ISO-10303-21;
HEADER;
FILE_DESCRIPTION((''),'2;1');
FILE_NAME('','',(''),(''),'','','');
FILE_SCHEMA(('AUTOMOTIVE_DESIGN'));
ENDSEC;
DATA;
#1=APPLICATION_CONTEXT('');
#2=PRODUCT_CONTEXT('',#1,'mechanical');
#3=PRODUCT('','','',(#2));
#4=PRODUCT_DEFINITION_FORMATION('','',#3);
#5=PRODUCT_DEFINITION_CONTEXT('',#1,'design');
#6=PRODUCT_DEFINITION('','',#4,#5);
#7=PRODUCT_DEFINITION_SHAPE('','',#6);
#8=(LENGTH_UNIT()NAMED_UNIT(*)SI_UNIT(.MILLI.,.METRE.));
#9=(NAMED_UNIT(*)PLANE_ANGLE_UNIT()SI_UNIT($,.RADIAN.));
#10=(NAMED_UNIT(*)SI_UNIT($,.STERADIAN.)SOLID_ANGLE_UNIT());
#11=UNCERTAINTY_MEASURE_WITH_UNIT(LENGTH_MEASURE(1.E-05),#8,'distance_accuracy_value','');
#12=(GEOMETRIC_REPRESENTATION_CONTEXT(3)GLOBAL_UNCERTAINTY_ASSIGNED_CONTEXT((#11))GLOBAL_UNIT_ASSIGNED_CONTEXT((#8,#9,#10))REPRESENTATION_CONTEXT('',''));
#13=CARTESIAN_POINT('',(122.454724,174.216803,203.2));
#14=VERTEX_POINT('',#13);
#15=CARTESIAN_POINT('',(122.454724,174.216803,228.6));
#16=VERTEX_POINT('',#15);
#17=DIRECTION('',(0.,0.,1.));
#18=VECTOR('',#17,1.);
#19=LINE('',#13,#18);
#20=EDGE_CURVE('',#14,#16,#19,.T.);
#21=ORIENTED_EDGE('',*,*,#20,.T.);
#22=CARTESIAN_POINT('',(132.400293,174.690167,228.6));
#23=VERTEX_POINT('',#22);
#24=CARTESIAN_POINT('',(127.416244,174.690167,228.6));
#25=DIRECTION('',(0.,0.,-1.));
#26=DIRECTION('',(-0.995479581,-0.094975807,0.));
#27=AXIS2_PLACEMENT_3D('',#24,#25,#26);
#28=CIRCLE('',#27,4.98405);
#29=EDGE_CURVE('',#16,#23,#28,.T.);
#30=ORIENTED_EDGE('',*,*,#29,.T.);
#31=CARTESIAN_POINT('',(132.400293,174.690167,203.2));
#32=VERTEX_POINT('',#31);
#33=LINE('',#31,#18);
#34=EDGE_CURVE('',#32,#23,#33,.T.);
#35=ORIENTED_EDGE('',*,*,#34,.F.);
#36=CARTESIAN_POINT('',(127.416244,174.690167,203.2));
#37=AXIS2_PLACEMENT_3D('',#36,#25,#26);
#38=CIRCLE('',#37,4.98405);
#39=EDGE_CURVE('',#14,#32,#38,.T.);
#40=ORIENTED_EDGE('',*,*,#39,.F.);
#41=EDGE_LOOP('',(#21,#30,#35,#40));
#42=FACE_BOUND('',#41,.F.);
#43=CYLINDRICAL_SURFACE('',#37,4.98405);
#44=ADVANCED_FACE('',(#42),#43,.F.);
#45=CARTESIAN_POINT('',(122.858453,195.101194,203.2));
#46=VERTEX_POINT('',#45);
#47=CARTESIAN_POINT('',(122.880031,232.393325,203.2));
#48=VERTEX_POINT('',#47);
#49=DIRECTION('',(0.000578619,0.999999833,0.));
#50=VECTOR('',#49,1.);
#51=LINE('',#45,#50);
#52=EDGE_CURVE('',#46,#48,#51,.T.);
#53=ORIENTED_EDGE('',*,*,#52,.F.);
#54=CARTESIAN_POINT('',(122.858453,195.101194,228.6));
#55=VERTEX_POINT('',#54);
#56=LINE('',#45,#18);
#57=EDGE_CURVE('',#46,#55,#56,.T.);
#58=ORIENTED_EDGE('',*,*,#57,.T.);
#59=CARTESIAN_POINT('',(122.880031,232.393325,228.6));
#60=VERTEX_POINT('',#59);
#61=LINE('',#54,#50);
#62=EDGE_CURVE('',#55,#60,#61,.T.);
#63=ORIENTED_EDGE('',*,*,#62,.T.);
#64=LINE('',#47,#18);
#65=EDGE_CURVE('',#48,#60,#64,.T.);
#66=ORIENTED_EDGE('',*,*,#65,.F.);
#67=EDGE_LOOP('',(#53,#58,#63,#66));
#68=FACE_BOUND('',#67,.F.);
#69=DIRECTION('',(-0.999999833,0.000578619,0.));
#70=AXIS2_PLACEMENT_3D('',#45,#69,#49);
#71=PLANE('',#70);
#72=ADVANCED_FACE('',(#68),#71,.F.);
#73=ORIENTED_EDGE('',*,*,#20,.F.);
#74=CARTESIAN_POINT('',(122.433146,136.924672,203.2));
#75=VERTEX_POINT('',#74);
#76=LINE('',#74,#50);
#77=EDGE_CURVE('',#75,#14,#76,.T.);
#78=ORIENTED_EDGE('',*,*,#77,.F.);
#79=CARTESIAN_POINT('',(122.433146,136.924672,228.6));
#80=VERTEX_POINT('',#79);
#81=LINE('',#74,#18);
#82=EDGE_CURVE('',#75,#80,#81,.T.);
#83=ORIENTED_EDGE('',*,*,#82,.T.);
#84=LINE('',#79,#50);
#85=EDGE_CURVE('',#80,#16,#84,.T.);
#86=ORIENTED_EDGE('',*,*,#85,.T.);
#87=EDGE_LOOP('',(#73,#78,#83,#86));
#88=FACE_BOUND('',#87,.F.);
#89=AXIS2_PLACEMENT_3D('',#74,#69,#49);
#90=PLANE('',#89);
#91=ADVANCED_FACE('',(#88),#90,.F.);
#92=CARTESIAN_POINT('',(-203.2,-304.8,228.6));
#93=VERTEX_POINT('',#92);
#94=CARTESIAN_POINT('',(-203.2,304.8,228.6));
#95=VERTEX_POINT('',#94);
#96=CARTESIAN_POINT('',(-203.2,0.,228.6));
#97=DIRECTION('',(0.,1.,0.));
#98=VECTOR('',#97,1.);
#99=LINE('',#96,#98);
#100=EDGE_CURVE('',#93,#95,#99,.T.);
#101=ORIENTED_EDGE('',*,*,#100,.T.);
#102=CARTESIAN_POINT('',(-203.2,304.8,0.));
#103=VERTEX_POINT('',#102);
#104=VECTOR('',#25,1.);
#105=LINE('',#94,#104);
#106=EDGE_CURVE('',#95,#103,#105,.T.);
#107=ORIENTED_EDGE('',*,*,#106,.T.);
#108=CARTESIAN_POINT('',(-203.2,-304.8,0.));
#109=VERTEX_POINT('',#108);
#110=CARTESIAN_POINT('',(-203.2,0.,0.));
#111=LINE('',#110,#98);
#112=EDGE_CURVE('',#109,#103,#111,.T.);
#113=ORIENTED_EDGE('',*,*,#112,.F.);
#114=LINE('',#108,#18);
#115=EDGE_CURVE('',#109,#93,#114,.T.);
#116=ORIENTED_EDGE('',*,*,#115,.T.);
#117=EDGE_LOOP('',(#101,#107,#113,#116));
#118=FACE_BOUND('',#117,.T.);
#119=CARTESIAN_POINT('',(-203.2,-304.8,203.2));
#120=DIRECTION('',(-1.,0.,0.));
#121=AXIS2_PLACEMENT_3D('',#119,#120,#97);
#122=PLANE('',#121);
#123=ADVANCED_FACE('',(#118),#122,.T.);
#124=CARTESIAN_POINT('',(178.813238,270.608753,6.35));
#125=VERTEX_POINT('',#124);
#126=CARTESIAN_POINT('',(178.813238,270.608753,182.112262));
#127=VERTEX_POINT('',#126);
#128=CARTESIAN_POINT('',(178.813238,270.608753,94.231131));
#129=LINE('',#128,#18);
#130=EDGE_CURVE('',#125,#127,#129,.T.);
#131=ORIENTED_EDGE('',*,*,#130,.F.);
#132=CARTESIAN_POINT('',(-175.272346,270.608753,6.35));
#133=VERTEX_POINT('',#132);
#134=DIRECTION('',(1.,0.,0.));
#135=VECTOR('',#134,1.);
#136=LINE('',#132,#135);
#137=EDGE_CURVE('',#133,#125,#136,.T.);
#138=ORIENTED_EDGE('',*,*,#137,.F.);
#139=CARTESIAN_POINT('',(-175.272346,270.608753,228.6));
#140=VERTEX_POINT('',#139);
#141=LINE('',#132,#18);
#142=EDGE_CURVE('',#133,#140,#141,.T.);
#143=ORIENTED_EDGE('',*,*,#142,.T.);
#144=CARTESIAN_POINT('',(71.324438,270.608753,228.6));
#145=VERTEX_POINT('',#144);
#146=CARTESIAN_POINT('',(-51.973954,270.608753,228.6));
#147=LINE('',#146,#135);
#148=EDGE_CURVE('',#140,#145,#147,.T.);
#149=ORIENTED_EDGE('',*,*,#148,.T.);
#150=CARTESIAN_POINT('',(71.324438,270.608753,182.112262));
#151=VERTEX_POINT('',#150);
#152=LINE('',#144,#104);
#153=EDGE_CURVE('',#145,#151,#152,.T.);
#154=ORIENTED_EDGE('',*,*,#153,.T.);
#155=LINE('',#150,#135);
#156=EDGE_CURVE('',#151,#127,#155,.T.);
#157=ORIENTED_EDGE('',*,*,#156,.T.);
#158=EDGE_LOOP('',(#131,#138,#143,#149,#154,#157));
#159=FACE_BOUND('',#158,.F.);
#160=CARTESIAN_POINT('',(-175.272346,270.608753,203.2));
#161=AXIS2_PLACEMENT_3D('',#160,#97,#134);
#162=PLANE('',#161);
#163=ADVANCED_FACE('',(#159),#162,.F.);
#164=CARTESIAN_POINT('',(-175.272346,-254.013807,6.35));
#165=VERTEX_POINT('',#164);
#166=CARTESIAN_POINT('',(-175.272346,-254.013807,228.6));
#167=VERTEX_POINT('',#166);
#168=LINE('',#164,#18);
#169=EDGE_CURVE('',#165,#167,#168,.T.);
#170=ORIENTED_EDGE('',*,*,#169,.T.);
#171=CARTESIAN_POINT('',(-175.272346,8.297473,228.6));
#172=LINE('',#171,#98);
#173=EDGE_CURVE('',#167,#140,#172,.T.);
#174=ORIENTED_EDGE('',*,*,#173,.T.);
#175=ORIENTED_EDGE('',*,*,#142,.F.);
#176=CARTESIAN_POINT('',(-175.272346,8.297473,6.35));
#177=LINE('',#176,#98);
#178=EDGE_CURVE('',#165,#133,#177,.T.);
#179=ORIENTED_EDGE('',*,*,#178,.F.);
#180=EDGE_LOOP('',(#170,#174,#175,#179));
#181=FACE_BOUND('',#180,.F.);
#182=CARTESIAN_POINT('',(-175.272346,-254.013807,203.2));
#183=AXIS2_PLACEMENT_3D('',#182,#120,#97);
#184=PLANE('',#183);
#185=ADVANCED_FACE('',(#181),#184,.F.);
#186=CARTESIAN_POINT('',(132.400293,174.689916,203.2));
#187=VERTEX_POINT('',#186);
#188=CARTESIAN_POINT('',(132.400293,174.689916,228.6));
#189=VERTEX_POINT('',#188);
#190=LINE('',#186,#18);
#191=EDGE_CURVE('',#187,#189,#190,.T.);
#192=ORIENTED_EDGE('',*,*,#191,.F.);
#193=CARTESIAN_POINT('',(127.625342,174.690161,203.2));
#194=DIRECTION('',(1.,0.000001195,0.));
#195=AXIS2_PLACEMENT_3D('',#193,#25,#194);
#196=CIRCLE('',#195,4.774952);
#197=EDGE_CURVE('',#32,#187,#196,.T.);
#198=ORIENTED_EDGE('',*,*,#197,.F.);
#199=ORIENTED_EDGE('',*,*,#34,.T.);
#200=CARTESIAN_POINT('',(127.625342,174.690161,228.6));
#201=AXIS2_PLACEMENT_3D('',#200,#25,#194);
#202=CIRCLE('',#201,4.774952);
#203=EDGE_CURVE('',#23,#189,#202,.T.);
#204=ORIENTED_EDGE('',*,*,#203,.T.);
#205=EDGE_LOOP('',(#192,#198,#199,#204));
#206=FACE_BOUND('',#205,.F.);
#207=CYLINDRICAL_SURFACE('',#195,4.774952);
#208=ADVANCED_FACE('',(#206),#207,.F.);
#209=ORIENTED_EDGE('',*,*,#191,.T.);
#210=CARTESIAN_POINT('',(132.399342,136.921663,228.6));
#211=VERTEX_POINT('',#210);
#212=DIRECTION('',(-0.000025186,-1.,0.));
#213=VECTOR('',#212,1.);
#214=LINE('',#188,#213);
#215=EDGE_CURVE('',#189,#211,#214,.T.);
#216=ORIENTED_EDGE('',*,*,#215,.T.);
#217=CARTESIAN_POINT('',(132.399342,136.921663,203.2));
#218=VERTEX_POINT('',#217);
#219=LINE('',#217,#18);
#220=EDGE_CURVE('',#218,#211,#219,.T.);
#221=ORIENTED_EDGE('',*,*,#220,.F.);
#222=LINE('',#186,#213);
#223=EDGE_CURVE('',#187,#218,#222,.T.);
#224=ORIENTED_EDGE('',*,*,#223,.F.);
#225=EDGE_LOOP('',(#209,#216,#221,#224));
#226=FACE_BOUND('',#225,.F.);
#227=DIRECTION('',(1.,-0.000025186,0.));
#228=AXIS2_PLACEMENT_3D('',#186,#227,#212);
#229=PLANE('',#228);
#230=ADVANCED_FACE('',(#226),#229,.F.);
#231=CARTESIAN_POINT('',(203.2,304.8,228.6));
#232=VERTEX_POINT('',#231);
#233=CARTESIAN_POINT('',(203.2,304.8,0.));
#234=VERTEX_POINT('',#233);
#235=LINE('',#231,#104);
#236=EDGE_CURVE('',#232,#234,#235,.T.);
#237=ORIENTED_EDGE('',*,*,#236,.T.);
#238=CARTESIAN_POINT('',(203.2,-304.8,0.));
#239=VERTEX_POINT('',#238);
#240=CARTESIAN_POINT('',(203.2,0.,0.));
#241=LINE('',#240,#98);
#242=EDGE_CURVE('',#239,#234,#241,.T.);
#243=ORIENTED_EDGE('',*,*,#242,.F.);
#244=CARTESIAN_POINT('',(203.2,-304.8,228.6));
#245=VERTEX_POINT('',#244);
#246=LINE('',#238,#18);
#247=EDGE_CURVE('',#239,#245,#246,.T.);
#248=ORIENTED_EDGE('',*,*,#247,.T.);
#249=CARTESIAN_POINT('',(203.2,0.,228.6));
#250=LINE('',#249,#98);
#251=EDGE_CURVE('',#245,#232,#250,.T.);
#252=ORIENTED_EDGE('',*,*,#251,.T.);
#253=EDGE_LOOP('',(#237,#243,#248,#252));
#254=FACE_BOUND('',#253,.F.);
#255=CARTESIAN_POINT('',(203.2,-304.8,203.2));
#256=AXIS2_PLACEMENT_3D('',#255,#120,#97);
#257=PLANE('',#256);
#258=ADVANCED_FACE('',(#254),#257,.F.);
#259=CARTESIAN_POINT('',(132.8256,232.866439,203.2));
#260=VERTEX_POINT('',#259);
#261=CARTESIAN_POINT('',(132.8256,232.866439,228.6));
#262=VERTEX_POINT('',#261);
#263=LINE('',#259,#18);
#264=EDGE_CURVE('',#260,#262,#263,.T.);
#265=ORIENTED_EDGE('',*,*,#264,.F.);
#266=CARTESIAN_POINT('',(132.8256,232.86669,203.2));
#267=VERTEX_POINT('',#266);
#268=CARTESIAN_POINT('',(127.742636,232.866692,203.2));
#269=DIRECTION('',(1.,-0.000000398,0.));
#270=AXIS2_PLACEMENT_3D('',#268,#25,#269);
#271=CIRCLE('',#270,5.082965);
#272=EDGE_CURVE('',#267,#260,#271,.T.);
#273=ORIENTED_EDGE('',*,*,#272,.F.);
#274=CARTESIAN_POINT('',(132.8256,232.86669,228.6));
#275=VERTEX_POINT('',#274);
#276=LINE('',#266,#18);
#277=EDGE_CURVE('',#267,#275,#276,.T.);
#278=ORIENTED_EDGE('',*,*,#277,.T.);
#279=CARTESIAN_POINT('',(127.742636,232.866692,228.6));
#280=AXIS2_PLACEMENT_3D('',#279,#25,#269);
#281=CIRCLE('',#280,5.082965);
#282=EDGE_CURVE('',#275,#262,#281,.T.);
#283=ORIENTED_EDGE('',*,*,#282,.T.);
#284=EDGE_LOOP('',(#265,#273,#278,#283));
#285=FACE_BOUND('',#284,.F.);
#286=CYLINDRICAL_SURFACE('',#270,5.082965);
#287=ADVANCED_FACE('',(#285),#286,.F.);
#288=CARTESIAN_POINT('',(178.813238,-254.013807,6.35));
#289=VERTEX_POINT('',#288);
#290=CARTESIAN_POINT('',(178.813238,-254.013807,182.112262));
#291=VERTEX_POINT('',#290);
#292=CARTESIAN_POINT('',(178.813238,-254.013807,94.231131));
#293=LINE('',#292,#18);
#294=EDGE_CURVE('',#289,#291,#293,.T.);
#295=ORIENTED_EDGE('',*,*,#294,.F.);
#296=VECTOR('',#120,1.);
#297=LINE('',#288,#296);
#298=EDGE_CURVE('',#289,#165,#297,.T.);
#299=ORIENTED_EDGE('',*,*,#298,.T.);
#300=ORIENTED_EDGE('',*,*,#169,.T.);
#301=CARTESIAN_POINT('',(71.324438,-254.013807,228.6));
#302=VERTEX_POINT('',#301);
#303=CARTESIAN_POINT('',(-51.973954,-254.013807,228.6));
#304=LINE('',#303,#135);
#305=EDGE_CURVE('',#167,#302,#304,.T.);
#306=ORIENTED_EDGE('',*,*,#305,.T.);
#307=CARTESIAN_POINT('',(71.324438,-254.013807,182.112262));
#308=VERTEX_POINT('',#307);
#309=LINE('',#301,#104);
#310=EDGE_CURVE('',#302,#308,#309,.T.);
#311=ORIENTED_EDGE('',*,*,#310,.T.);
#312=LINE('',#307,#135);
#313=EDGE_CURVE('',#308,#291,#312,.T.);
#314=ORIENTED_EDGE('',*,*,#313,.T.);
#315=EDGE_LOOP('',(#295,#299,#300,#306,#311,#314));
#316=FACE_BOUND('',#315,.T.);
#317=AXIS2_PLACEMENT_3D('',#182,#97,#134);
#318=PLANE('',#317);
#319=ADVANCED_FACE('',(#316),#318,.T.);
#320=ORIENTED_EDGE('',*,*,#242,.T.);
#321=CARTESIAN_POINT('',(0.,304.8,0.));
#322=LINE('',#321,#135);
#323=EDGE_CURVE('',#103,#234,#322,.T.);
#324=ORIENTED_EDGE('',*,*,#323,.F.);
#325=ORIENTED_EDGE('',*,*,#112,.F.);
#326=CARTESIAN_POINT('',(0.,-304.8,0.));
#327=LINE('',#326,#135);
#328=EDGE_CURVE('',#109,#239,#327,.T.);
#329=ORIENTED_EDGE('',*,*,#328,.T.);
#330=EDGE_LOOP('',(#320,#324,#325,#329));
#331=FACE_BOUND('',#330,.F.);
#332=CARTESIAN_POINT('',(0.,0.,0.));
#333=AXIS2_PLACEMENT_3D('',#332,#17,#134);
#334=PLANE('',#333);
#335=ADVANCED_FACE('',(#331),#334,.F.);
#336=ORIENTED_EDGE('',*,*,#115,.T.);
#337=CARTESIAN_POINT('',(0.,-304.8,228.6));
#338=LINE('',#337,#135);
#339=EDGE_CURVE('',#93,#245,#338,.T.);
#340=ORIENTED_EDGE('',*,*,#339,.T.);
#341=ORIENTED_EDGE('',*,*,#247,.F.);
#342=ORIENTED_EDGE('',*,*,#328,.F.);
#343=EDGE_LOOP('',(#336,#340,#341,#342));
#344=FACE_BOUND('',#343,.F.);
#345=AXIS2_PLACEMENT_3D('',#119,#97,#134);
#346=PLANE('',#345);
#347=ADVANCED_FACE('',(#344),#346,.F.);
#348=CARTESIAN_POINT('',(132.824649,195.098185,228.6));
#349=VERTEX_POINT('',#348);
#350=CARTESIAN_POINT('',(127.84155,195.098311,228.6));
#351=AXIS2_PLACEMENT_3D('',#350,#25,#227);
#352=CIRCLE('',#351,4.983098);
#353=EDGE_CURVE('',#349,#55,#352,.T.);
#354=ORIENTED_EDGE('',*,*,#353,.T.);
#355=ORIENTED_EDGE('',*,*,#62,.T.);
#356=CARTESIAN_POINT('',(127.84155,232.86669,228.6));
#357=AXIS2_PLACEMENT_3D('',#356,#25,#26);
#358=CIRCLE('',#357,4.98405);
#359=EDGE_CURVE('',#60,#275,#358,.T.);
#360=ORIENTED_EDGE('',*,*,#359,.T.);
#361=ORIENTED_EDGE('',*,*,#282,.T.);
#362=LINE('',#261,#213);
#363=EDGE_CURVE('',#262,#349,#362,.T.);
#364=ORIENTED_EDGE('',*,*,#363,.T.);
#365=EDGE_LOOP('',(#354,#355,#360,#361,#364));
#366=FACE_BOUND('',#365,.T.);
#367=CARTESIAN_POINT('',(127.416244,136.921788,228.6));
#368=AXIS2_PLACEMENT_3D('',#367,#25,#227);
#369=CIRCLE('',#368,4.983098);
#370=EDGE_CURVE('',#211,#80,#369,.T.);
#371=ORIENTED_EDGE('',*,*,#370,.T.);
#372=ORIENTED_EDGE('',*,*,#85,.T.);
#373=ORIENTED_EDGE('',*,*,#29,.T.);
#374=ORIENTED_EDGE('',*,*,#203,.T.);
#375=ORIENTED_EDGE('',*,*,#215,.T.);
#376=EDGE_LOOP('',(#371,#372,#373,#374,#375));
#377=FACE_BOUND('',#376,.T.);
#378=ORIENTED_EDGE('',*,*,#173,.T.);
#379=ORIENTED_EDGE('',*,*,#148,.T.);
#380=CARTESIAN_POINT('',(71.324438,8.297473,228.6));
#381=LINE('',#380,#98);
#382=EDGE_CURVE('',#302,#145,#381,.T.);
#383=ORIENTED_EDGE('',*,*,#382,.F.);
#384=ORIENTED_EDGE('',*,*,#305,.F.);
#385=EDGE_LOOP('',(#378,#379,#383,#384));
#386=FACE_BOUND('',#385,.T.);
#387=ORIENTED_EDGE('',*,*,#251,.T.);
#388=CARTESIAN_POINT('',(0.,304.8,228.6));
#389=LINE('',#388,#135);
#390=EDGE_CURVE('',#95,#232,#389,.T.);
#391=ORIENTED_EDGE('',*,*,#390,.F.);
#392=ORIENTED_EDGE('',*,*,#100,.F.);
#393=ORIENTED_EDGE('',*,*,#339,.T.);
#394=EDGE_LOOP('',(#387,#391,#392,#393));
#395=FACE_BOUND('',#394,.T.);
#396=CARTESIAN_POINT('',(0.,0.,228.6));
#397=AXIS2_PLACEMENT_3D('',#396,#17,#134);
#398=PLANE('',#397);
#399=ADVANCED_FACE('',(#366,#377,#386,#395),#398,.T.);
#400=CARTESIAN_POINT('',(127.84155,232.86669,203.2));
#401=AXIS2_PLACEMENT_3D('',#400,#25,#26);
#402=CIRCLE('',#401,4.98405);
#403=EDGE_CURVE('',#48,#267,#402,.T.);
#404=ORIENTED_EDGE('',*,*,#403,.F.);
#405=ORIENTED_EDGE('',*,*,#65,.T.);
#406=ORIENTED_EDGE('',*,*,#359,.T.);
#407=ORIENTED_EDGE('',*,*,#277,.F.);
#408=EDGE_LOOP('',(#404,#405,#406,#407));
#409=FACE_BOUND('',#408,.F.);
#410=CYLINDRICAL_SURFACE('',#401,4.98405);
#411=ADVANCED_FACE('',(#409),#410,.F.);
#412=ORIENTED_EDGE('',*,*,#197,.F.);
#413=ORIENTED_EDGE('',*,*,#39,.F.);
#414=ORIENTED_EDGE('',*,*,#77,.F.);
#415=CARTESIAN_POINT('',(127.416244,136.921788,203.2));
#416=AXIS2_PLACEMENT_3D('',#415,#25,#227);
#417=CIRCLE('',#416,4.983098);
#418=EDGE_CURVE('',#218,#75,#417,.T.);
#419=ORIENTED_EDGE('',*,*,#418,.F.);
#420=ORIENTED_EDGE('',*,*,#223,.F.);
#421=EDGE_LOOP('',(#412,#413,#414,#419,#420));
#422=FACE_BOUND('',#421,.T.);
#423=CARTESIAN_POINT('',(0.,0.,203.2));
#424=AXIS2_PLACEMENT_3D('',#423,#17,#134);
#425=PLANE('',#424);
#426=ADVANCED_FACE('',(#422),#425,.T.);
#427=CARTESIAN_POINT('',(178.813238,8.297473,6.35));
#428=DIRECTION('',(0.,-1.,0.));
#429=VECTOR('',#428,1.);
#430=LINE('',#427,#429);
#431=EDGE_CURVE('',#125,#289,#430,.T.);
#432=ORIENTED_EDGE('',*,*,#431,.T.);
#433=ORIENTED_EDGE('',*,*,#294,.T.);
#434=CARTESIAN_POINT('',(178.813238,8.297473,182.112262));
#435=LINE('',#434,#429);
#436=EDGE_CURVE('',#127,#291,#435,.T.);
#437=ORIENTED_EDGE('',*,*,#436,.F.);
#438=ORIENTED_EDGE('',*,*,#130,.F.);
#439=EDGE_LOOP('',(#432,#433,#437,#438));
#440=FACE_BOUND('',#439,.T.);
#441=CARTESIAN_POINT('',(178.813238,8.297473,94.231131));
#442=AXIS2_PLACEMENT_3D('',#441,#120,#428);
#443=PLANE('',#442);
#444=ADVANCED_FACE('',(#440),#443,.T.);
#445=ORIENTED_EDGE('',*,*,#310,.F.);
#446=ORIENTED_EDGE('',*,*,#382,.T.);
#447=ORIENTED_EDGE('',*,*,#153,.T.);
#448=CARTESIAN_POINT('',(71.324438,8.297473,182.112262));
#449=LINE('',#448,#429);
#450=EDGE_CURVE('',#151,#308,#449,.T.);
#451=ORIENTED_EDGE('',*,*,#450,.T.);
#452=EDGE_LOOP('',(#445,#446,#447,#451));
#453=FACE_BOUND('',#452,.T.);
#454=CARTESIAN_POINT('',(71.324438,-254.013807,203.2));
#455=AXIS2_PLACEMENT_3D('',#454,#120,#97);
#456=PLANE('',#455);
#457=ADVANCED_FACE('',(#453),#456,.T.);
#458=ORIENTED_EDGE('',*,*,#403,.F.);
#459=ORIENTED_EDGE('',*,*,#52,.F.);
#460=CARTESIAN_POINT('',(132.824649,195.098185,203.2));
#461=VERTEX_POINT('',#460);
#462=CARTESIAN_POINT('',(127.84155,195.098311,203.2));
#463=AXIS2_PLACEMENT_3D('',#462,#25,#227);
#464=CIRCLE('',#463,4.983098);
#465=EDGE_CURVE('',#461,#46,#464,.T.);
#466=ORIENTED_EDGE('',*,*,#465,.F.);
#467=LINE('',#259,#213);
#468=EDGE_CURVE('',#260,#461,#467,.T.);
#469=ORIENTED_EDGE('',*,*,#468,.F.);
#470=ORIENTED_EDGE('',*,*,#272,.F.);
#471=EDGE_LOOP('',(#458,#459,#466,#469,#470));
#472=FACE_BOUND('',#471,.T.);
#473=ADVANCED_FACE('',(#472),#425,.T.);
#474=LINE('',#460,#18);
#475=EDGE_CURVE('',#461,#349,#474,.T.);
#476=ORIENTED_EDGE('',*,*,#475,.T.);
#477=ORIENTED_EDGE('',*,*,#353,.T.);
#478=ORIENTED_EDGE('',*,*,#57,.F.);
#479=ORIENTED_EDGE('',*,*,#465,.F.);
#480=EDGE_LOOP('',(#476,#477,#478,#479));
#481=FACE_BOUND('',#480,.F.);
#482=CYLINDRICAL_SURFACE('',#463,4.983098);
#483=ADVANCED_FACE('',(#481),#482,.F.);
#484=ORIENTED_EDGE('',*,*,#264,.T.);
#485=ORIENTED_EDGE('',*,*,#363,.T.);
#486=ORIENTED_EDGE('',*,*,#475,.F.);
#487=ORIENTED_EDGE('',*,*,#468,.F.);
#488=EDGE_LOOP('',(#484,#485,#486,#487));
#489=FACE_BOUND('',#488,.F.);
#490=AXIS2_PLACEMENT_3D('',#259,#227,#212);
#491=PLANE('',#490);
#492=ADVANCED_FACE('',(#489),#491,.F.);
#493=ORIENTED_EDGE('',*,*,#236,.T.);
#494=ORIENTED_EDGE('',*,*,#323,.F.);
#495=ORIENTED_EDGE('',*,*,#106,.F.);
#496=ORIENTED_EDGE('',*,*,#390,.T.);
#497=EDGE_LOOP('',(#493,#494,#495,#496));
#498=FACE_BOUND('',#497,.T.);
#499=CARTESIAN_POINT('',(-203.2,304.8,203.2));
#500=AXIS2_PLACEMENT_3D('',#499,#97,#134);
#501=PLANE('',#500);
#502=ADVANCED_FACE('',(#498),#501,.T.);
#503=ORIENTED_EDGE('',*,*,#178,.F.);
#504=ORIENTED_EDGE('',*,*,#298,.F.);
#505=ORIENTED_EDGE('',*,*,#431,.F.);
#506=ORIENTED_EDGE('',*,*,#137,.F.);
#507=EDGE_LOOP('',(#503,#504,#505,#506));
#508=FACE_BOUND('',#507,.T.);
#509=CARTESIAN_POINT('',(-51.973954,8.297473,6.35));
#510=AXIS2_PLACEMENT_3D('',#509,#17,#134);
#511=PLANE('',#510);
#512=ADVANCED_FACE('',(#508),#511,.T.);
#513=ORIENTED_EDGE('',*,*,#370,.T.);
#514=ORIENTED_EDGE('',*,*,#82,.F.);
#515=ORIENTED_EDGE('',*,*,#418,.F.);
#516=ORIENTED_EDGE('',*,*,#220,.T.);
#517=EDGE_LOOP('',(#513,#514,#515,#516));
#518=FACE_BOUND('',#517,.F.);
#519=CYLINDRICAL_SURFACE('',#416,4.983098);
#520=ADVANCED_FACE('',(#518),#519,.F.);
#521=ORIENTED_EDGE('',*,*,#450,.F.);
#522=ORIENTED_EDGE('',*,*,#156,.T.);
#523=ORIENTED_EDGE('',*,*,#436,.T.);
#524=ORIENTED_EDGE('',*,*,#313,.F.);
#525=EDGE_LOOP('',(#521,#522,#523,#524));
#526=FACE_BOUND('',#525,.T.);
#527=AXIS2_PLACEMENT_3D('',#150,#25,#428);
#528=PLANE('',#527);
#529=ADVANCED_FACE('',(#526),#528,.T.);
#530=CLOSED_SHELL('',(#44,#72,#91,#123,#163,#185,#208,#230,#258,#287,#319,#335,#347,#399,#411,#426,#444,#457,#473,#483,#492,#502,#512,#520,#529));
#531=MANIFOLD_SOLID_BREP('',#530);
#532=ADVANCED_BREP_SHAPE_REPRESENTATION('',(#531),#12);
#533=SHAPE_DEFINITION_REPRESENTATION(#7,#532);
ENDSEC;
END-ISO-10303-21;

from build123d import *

# Parameters (mm, degrees)
F0_W     = 406.4
F0_H     = 609.6
F1_DEPTH = 203.2
F2_W     = 246.5967833996
F2_H     = 524.6225595474
F3_DEPTH = 196.85
F4_W     = 524.6225595474
F4_H     = 175.7622616529
F5_DEPTH = 107.4888
F6_W     = 406.4
F6_H     = 609.6
F6_W_2   = 246.5967833996
F6_H_2   = 524.6225595474
F7_DEPTH = 25.4


with BuildPart() as f1:
    # F0 (on Top) → F1 (new body)
    with BuildSketch(Plane.XY):
        Rectangle(F0_W, F0_H)
    extrude(amount=F1_DEPTH)

    # F2 (on face) → F3 (cut)
    with BuildSketch(Plane.XY.offset(203.2)):
        with Locations((-51.9739538431, 8.2974731922)):
            Rectangle(F2_W, F2_H)
    extrude(amount=-F3_DEPTH, mode=Mode.SUBTRACT)

    # F4 (on face) → F5 (cut)
    with BuildSketch(Plane(origin=(71.3244378567, 0, 0), x_dir=(0, -1, 0), z_dir=(-1, 0, 0))):
        with Locations((-8.2974731922, 94.2311308265)):
            Rectangle(F4_W, F4_H)
    extrude(amount=-F5_DEPTH, mode=Mode.SUBTRACT)

    # F6 (on face) → F7 (join)
    with BuildSketch(Plane.XY.offset(203.2)):
        Rectangle(F6_W, F6_H)
        with Locations((-51.9739538431, 8.2974731922)):
            Rectangle(F6_W_2, F6_H_2, mode=Mode.SUBTRACT)
        with BuildLine():
            ThreePointArc((132.4002933692, 174.6901672035), (132.4002933677, 174.6900416756), (132.4002933629, 174.6899161476))
            Line((132.4002933629, 174.6899161476), (132.3993421334, 136.9216628493))
            ThreePointArc((132.3993421334, 136.9216628493), (127.4147392292, 131.9386900836), (122.4331459754, 136.924671667))
            Line((122.4331459754, 136.924671667), (122.4547239005, 174.2168030567))
            ThreePointArc((122.4547239005, 174.2168030567), (127.1792936349, 179.66858125), (132.4002933692, 174.6901672035))
        make_face(mode=Mode.SUBTRACT)
        with BuildLine():
            ThreePointArc((132.8256002304, 232.8666895628), (132.8256002288, 232.8665640349), (132.8256002241, 232.866438507))
            Line((132.8256002241, 232.866438507), (132.8246489946, 195.0981852086))
            ThreePointArc((132.8246489946, 195.0981852086), (127.8400460904, 190.115212443), (122.8584528366, 195.1011940263))
            Line((122.8584528366, 195.1011940263), (122.8800307617, 232.393325416))
            ThreePointArc((122.8800307617, 232.393325416), (127.6046004961, 237.8451036093), (132.8256002304, 232.8666895628))
        make_face(mode=Mode.SUBTRACT)
    extrude(amount=F7_DEPTH)


solid = f1.part
